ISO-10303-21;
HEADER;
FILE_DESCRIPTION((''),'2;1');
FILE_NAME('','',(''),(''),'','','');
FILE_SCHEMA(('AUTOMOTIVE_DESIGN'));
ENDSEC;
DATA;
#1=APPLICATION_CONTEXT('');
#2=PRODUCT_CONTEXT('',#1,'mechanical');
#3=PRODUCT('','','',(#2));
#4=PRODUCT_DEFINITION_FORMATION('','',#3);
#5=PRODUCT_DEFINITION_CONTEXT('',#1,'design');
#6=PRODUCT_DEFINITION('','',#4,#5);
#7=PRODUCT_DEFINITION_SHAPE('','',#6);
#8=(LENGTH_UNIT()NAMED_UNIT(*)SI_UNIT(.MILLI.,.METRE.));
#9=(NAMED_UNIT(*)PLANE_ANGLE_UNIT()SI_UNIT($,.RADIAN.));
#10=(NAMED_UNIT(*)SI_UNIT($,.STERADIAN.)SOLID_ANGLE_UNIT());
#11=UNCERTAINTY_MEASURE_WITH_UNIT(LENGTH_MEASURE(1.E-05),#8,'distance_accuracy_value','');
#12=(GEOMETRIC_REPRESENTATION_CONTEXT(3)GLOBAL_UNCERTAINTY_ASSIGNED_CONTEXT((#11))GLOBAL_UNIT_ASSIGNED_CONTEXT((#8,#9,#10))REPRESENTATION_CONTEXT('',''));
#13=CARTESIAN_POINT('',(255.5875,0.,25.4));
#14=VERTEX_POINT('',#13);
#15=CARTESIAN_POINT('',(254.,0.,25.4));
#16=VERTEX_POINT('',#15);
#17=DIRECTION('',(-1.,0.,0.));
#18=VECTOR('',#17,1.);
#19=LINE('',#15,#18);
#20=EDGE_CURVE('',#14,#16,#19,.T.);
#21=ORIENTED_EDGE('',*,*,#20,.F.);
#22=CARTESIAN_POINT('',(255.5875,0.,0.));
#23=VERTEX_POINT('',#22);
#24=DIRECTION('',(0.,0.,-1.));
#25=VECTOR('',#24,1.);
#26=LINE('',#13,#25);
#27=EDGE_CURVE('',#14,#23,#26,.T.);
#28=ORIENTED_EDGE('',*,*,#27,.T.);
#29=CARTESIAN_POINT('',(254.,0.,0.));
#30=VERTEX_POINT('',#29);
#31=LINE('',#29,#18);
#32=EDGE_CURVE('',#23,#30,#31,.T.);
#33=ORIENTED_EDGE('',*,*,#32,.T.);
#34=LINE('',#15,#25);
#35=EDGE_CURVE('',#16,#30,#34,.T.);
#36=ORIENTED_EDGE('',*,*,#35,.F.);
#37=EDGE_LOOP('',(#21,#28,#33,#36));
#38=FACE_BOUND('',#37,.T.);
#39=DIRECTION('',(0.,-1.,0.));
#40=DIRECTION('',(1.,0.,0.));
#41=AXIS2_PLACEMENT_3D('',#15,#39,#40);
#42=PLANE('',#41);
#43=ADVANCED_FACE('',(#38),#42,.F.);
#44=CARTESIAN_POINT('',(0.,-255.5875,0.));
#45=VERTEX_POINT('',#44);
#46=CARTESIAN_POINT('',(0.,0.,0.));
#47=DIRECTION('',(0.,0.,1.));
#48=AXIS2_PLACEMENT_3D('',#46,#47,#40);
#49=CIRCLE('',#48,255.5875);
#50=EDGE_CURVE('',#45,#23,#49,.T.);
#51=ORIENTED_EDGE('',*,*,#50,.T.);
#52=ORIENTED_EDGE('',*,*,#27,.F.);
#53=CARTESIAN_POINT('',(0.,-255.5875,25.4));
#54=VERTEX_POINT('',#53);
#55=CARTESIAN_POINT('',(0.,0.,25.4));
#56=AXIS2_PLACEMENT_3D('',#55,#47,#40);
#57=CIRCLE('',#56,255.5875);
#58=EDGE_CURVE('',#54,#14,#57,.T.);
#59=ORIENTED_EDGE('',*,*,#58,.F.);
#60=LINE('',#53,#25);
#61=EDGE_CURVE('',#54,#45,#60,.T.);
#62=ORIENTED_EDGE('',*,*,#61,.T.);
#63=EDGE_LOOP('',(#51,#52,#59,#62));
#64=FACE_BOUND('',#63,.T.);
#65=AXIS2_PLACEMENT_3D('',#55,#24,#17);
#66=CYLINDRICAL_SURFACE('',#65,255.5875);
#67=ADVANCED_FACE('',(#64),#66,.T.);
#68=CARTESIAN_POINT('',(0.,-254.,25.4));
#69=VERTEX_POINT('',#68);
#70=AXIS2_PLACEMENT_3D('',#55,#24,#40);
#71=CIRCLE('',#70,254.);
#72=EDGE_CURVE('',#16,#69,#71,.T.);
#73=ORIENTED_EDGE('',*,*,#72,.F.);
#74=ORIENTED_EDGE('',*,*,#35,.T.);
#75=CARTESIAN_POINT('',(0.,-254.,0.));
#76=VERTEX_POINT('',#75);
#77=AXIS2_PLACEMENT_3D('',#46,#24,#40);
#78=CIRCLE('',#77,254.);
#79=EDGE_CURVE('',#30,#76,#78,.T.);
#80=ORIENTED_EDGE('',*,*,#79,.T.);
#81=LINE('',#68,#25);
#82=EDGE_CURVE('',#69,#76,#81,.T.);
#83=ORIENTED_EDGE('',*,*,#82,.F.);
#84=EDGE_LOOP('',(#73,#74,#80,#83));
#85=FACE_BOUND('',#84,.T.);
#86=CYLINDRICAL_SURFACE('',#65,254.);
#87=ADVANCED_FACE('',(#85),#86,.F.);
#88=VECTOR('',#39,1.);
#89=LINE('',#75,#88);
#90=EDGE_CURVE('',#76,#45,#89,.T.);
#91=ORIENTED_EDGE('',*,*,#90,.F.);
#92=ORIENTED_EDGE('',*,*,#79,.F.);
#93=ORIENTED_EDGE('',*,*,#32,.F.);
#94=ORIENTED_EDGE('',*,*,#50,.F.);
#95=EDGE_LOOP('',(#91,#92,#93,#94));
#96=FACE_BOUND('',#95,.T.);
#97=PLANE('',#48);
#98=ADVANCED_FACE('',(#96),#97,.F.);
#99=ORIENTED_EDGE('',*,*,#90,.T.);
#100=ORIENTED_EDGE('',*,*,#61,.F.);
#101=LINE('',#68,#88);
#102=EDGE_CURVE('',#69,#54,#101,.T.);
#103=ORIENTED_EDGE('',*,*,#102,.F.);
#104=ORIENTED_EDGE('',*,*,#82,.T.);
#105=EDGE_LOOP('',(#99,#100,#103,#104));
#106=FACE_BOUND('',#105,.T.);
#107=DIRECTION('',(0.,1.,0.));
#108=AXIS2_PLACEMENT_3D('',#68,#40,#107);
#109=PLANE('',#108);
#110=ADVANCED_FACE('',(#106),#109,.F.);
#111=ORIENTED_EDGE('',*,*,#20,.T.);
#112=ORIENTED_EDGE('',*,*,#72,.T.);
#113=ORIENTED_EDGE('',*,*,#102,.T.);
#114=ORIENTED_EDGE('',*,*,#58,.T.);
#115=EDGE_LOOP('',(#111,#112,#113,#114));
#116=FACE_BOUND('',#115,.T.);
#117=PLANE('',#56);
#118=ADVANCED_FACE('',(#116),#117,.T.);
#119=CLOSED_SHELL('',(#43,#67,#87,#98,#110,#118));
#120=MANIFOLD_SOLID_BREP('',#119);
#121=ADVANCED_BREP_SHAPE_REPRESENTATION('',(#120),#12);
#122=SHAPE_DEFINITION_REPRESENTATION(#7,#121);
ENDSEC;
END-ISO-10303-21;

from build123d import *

# Parameters (mm, degrees)
BOSS_EXTRUDE1_DEPTH = 25.4


with BuildPart() as part:
    # Sketch1 → Boss-Extrude1 (new body)
    with BuildSketch(Plane.XY):
        with BuildLine():
            Line((0, -254), (0, -255.5875))
            ThreePointArc((0, -255.5875), (180.727654437, -180.727654437), (255.5875, 0))
            Line((255.5875, 0), (254, 0))
            ThreePointArc((254, 0), (179.605122421, -179.605122421), (0, -254))
        make_face()
    extrude(amount=BOSS_EXTRUDE1_DEPTH)


solid = part.part
